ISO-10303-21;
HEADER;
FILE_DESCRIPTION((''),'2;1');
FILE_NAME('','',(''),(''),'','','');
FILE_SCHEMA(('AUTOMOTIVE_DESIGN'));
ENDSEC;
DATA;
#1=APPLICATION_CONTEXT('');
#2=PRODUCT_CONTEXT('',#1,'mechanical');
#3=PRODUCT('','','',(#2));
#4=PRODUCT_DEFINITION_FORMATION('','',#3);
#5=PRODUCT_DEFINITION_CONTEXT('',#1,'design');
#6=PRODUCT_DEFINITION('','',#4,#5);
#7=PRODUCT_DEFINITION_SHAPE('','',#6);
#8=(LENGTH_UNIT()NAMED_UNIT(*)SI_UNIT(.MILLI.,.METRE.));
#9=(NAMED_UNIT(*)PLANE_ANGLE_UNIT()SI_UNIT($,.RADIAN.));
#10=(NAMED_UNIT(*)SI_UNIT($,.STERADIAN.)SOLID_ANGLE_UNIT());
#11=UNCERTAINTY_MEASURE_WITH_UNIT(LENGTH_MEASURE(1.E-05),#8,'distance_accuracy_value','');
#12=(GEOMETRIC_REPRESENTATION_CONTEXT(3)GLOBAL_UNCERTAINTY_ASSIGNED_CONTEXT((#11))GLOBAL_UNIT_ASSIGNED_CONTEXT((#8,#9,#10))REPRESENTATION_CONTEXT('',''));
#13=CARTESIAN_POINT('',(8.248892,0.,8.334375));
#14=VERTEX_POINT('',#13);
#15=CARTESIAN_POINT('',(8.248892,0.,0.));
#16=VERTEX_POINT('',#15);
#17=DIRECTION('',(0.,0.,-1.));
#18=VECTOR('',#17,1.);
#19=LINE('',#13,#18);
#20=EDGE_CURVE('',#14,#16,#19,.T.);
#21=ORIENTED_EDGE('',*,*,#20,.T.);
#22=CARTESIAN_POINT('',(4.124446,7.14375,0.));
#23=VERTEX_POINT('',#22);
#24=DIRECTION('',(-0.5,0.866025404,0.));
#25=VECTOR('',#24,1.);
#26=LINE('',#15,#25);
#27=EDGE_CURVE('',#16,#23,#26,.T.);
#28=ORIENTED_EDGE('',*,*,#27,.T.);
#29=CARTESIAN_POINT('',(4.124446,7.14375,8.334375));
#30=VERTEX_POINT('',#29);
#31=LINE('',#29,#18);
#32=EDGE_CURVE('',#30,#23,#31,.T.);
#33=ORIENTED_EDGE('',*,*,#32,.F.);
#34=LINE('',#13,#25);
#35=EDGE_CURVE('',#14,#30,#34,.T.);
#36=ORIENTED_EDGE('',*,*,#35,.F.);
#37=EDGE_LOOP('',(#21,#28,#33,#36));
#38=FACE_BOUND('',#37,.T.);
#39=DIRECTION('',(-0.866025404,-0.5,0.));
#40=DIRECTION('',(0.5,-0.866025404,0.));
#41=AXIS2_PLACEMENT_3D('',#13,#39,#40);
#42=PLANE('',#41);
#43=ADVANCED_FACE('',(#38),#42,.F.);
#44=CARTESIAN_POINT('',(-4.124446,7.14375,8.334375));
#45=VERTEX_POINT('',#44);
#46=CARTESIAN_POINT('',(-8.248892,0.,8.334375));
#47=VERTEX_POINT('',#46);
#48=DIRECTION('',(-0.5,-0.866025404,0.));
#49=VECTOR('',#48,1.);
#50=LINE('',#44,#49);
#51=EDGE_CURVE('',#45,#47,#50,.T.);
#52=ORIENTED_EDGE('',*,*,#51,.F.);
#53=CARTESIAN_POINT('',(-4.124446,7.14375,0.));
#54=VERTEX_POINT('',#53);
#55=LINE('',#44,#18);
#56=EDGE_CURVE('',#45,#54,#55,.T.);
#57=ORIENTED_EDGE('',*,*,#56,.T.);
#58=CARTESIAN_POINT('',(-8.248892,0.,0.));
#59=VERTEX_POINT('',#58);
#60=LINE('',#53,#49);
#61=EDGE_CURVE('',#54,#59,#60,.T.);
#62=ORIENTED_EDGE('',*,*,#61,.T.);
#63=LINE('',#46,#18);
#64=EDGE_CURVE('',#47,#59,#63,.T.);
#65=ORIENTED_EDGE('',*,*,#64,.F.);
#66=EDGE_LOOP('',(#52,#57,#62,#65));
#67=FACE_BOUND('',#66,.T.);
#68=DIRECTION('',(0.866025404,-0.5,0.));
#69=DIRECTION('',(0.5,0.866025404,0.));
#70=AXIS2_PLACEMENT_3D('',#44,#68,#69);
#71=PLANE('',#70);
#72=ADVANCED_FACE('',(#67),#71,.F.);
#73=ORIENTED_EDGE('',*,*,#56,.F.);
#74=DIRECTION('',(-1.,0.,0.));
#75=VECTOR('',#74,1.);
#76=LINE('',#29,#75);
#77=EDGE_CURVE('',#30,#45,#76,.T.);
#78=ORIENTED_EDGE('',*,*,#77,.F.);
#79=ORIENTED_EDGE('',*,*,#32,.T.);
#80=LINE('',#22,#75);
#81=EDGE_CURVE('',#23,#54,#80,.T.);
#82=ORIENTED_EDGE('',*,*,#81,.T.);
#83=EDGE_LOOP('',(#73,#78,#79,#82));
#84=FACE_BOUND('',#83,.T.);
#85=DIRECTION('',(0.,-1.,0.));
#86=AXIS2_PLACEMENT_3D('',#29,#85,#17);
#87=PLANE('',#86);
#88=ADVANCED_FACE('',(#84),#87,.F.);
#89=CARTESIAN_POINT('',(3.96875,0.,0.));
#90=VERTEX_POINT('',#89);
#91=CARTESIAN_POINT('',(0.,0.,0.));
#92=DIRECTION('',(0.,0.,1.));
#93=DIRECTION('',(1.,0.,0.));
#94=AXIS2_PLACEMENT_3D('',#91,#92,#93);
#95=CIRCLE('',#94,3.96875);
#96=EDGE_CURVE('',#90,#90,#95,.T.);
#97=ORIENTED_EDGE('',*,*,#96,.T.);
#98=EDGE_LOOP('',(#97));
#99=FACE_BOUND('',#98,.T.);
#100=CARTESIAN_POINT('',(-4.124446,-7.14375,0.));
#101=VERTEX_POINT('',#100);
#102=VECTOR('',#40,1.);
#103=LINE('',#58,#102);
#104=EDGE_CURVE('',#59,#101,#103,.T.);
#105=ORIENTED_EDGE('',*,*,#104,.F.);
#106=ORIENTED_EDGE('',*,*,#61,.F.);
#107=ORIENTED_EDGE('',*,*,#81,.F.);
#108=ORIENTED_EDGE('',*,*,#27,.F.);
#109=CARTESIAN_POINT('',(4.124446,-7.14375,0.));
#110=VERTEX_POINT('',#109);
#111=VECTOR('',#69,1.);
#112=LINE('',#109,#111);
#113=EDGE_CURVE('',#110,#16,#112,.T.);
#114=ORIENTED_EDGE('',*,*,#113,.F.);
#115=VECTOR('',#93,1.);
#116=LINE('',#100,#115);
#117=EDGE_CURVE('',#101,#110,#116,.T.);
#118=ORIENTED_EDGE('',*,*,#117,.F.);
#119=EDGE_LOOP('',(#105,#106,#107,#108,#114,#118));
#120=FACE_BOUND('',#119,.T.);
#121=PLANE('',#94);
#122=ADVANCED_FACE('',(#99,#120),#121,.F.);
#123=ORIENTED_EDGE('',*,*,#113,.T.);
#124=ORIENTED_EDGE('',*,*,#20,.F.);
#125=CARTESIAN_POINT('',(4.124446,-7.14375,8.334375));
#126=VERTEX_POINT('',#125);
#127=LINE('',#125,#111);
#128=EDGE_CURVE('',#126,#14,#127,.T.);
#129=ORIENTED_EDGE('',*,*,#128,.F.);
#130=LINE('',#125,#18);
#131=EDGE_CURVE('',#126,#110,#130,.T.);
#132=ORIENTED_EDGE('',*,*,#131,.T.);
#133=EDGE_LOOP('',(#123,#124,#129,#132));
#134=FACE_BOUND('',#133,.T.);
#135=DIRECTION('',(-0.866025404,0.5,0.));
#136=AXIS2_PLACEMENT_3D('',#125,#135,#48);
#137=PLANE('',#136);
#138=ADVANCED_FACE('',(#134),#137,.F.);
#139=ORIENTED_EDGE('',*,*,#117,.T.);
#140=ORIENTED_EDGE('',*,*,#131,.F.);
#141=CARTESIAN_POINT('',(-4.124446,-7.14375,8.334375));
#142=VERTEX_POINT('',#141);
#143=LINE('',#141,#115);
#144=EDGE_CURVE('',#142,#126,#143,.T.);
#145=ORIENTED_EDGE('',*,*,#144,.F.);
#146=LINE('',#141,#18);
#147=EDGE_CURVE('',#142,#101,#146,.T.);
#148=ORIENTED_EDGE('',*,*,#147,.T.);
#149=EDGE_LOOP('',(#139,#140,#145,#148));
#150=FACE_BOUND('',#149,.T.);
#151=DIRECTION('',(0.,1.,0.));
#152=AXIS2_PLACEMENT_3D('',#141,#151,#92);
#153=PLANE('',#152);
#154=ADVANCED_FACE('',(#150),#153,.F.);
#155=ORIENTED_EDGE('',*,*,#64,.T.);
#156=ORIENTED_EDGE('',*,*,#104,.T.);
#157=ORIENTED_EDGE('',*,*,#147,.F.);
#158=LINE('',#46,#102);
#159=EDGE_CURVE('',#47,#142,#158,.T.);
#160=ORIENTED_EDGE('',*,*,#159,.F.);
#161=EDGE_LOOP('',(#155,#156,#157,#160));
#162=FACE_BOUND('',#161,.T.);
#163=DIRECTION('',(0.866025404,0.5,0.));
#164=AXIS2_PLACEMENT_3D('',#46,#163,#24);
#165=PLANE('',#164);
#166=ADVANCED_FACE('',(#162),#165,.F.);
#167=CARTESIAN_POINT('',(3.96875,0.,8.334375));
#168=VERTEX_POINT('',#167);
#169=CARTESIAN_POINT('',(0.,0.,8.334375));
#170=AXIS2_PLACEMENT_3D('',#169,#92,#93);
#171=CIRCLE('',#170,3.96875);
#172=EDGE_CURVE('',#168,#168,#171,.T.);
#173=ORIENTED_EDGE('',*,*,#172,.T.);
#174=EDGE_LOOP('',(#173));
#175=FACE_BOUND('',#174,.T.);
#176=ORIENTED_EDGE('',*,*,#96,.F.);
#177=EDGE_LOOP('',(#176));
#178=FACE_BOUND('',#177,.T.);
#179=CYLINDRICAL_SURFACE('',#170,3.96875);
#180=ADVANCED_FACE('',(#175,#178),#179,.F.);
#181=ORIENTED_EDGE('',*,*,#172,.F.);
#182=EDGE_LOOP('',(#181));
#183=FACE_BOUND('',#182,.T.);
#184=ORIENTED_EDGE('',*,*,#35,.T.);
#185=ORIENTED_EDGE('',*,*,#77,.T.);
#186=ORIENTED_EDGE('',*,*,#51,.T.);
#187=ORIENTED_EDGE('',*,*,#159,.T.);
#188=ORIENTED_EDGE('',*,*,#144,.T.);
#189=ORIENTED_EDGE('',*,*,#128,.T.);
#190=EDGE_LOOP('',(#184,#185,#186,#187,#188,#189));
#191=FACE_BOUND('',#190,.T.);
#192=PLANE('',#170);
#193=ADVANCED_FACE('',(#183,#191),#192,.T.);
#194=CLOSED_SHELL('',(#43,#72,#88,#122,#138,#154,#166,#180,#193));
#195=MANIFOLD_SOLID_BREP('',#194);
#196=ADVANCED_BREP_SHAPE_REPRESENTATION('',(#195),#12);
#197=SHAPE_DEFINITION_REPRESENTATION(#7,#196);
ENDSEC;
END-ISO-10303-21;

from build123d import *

# Parameters (mm, degrees)
BOSS_EXTRUDE1_DEPTH     = 8.334375
F_3_8_16_TAPPED_HOLE1_D = 7.9375


with BuildPart() as part:
    # Sketch1 → Boss-Extrude1 (new body)
    with BuildSketch(Plane.XY):
        Polygon((-8.248891971, 0), (-4.124445986, -7.14375), (4.124445986, -7.14375), (8.248891971, 0), (4.124445986, 7.14375), (-4.124445986, 7.14375), align=None)
    extrude(amount=BOSS_EXTRUDE1_DEPTH)

    # 3/8-16 Tapped Hole1 (through all)
    with Locations(Plane.XY.offset(8.334375)):
        with Locations((0, 0)):
            Hole(F_3_8_16_TAPPED_HOLE1_D / 2)


solid = part.part
